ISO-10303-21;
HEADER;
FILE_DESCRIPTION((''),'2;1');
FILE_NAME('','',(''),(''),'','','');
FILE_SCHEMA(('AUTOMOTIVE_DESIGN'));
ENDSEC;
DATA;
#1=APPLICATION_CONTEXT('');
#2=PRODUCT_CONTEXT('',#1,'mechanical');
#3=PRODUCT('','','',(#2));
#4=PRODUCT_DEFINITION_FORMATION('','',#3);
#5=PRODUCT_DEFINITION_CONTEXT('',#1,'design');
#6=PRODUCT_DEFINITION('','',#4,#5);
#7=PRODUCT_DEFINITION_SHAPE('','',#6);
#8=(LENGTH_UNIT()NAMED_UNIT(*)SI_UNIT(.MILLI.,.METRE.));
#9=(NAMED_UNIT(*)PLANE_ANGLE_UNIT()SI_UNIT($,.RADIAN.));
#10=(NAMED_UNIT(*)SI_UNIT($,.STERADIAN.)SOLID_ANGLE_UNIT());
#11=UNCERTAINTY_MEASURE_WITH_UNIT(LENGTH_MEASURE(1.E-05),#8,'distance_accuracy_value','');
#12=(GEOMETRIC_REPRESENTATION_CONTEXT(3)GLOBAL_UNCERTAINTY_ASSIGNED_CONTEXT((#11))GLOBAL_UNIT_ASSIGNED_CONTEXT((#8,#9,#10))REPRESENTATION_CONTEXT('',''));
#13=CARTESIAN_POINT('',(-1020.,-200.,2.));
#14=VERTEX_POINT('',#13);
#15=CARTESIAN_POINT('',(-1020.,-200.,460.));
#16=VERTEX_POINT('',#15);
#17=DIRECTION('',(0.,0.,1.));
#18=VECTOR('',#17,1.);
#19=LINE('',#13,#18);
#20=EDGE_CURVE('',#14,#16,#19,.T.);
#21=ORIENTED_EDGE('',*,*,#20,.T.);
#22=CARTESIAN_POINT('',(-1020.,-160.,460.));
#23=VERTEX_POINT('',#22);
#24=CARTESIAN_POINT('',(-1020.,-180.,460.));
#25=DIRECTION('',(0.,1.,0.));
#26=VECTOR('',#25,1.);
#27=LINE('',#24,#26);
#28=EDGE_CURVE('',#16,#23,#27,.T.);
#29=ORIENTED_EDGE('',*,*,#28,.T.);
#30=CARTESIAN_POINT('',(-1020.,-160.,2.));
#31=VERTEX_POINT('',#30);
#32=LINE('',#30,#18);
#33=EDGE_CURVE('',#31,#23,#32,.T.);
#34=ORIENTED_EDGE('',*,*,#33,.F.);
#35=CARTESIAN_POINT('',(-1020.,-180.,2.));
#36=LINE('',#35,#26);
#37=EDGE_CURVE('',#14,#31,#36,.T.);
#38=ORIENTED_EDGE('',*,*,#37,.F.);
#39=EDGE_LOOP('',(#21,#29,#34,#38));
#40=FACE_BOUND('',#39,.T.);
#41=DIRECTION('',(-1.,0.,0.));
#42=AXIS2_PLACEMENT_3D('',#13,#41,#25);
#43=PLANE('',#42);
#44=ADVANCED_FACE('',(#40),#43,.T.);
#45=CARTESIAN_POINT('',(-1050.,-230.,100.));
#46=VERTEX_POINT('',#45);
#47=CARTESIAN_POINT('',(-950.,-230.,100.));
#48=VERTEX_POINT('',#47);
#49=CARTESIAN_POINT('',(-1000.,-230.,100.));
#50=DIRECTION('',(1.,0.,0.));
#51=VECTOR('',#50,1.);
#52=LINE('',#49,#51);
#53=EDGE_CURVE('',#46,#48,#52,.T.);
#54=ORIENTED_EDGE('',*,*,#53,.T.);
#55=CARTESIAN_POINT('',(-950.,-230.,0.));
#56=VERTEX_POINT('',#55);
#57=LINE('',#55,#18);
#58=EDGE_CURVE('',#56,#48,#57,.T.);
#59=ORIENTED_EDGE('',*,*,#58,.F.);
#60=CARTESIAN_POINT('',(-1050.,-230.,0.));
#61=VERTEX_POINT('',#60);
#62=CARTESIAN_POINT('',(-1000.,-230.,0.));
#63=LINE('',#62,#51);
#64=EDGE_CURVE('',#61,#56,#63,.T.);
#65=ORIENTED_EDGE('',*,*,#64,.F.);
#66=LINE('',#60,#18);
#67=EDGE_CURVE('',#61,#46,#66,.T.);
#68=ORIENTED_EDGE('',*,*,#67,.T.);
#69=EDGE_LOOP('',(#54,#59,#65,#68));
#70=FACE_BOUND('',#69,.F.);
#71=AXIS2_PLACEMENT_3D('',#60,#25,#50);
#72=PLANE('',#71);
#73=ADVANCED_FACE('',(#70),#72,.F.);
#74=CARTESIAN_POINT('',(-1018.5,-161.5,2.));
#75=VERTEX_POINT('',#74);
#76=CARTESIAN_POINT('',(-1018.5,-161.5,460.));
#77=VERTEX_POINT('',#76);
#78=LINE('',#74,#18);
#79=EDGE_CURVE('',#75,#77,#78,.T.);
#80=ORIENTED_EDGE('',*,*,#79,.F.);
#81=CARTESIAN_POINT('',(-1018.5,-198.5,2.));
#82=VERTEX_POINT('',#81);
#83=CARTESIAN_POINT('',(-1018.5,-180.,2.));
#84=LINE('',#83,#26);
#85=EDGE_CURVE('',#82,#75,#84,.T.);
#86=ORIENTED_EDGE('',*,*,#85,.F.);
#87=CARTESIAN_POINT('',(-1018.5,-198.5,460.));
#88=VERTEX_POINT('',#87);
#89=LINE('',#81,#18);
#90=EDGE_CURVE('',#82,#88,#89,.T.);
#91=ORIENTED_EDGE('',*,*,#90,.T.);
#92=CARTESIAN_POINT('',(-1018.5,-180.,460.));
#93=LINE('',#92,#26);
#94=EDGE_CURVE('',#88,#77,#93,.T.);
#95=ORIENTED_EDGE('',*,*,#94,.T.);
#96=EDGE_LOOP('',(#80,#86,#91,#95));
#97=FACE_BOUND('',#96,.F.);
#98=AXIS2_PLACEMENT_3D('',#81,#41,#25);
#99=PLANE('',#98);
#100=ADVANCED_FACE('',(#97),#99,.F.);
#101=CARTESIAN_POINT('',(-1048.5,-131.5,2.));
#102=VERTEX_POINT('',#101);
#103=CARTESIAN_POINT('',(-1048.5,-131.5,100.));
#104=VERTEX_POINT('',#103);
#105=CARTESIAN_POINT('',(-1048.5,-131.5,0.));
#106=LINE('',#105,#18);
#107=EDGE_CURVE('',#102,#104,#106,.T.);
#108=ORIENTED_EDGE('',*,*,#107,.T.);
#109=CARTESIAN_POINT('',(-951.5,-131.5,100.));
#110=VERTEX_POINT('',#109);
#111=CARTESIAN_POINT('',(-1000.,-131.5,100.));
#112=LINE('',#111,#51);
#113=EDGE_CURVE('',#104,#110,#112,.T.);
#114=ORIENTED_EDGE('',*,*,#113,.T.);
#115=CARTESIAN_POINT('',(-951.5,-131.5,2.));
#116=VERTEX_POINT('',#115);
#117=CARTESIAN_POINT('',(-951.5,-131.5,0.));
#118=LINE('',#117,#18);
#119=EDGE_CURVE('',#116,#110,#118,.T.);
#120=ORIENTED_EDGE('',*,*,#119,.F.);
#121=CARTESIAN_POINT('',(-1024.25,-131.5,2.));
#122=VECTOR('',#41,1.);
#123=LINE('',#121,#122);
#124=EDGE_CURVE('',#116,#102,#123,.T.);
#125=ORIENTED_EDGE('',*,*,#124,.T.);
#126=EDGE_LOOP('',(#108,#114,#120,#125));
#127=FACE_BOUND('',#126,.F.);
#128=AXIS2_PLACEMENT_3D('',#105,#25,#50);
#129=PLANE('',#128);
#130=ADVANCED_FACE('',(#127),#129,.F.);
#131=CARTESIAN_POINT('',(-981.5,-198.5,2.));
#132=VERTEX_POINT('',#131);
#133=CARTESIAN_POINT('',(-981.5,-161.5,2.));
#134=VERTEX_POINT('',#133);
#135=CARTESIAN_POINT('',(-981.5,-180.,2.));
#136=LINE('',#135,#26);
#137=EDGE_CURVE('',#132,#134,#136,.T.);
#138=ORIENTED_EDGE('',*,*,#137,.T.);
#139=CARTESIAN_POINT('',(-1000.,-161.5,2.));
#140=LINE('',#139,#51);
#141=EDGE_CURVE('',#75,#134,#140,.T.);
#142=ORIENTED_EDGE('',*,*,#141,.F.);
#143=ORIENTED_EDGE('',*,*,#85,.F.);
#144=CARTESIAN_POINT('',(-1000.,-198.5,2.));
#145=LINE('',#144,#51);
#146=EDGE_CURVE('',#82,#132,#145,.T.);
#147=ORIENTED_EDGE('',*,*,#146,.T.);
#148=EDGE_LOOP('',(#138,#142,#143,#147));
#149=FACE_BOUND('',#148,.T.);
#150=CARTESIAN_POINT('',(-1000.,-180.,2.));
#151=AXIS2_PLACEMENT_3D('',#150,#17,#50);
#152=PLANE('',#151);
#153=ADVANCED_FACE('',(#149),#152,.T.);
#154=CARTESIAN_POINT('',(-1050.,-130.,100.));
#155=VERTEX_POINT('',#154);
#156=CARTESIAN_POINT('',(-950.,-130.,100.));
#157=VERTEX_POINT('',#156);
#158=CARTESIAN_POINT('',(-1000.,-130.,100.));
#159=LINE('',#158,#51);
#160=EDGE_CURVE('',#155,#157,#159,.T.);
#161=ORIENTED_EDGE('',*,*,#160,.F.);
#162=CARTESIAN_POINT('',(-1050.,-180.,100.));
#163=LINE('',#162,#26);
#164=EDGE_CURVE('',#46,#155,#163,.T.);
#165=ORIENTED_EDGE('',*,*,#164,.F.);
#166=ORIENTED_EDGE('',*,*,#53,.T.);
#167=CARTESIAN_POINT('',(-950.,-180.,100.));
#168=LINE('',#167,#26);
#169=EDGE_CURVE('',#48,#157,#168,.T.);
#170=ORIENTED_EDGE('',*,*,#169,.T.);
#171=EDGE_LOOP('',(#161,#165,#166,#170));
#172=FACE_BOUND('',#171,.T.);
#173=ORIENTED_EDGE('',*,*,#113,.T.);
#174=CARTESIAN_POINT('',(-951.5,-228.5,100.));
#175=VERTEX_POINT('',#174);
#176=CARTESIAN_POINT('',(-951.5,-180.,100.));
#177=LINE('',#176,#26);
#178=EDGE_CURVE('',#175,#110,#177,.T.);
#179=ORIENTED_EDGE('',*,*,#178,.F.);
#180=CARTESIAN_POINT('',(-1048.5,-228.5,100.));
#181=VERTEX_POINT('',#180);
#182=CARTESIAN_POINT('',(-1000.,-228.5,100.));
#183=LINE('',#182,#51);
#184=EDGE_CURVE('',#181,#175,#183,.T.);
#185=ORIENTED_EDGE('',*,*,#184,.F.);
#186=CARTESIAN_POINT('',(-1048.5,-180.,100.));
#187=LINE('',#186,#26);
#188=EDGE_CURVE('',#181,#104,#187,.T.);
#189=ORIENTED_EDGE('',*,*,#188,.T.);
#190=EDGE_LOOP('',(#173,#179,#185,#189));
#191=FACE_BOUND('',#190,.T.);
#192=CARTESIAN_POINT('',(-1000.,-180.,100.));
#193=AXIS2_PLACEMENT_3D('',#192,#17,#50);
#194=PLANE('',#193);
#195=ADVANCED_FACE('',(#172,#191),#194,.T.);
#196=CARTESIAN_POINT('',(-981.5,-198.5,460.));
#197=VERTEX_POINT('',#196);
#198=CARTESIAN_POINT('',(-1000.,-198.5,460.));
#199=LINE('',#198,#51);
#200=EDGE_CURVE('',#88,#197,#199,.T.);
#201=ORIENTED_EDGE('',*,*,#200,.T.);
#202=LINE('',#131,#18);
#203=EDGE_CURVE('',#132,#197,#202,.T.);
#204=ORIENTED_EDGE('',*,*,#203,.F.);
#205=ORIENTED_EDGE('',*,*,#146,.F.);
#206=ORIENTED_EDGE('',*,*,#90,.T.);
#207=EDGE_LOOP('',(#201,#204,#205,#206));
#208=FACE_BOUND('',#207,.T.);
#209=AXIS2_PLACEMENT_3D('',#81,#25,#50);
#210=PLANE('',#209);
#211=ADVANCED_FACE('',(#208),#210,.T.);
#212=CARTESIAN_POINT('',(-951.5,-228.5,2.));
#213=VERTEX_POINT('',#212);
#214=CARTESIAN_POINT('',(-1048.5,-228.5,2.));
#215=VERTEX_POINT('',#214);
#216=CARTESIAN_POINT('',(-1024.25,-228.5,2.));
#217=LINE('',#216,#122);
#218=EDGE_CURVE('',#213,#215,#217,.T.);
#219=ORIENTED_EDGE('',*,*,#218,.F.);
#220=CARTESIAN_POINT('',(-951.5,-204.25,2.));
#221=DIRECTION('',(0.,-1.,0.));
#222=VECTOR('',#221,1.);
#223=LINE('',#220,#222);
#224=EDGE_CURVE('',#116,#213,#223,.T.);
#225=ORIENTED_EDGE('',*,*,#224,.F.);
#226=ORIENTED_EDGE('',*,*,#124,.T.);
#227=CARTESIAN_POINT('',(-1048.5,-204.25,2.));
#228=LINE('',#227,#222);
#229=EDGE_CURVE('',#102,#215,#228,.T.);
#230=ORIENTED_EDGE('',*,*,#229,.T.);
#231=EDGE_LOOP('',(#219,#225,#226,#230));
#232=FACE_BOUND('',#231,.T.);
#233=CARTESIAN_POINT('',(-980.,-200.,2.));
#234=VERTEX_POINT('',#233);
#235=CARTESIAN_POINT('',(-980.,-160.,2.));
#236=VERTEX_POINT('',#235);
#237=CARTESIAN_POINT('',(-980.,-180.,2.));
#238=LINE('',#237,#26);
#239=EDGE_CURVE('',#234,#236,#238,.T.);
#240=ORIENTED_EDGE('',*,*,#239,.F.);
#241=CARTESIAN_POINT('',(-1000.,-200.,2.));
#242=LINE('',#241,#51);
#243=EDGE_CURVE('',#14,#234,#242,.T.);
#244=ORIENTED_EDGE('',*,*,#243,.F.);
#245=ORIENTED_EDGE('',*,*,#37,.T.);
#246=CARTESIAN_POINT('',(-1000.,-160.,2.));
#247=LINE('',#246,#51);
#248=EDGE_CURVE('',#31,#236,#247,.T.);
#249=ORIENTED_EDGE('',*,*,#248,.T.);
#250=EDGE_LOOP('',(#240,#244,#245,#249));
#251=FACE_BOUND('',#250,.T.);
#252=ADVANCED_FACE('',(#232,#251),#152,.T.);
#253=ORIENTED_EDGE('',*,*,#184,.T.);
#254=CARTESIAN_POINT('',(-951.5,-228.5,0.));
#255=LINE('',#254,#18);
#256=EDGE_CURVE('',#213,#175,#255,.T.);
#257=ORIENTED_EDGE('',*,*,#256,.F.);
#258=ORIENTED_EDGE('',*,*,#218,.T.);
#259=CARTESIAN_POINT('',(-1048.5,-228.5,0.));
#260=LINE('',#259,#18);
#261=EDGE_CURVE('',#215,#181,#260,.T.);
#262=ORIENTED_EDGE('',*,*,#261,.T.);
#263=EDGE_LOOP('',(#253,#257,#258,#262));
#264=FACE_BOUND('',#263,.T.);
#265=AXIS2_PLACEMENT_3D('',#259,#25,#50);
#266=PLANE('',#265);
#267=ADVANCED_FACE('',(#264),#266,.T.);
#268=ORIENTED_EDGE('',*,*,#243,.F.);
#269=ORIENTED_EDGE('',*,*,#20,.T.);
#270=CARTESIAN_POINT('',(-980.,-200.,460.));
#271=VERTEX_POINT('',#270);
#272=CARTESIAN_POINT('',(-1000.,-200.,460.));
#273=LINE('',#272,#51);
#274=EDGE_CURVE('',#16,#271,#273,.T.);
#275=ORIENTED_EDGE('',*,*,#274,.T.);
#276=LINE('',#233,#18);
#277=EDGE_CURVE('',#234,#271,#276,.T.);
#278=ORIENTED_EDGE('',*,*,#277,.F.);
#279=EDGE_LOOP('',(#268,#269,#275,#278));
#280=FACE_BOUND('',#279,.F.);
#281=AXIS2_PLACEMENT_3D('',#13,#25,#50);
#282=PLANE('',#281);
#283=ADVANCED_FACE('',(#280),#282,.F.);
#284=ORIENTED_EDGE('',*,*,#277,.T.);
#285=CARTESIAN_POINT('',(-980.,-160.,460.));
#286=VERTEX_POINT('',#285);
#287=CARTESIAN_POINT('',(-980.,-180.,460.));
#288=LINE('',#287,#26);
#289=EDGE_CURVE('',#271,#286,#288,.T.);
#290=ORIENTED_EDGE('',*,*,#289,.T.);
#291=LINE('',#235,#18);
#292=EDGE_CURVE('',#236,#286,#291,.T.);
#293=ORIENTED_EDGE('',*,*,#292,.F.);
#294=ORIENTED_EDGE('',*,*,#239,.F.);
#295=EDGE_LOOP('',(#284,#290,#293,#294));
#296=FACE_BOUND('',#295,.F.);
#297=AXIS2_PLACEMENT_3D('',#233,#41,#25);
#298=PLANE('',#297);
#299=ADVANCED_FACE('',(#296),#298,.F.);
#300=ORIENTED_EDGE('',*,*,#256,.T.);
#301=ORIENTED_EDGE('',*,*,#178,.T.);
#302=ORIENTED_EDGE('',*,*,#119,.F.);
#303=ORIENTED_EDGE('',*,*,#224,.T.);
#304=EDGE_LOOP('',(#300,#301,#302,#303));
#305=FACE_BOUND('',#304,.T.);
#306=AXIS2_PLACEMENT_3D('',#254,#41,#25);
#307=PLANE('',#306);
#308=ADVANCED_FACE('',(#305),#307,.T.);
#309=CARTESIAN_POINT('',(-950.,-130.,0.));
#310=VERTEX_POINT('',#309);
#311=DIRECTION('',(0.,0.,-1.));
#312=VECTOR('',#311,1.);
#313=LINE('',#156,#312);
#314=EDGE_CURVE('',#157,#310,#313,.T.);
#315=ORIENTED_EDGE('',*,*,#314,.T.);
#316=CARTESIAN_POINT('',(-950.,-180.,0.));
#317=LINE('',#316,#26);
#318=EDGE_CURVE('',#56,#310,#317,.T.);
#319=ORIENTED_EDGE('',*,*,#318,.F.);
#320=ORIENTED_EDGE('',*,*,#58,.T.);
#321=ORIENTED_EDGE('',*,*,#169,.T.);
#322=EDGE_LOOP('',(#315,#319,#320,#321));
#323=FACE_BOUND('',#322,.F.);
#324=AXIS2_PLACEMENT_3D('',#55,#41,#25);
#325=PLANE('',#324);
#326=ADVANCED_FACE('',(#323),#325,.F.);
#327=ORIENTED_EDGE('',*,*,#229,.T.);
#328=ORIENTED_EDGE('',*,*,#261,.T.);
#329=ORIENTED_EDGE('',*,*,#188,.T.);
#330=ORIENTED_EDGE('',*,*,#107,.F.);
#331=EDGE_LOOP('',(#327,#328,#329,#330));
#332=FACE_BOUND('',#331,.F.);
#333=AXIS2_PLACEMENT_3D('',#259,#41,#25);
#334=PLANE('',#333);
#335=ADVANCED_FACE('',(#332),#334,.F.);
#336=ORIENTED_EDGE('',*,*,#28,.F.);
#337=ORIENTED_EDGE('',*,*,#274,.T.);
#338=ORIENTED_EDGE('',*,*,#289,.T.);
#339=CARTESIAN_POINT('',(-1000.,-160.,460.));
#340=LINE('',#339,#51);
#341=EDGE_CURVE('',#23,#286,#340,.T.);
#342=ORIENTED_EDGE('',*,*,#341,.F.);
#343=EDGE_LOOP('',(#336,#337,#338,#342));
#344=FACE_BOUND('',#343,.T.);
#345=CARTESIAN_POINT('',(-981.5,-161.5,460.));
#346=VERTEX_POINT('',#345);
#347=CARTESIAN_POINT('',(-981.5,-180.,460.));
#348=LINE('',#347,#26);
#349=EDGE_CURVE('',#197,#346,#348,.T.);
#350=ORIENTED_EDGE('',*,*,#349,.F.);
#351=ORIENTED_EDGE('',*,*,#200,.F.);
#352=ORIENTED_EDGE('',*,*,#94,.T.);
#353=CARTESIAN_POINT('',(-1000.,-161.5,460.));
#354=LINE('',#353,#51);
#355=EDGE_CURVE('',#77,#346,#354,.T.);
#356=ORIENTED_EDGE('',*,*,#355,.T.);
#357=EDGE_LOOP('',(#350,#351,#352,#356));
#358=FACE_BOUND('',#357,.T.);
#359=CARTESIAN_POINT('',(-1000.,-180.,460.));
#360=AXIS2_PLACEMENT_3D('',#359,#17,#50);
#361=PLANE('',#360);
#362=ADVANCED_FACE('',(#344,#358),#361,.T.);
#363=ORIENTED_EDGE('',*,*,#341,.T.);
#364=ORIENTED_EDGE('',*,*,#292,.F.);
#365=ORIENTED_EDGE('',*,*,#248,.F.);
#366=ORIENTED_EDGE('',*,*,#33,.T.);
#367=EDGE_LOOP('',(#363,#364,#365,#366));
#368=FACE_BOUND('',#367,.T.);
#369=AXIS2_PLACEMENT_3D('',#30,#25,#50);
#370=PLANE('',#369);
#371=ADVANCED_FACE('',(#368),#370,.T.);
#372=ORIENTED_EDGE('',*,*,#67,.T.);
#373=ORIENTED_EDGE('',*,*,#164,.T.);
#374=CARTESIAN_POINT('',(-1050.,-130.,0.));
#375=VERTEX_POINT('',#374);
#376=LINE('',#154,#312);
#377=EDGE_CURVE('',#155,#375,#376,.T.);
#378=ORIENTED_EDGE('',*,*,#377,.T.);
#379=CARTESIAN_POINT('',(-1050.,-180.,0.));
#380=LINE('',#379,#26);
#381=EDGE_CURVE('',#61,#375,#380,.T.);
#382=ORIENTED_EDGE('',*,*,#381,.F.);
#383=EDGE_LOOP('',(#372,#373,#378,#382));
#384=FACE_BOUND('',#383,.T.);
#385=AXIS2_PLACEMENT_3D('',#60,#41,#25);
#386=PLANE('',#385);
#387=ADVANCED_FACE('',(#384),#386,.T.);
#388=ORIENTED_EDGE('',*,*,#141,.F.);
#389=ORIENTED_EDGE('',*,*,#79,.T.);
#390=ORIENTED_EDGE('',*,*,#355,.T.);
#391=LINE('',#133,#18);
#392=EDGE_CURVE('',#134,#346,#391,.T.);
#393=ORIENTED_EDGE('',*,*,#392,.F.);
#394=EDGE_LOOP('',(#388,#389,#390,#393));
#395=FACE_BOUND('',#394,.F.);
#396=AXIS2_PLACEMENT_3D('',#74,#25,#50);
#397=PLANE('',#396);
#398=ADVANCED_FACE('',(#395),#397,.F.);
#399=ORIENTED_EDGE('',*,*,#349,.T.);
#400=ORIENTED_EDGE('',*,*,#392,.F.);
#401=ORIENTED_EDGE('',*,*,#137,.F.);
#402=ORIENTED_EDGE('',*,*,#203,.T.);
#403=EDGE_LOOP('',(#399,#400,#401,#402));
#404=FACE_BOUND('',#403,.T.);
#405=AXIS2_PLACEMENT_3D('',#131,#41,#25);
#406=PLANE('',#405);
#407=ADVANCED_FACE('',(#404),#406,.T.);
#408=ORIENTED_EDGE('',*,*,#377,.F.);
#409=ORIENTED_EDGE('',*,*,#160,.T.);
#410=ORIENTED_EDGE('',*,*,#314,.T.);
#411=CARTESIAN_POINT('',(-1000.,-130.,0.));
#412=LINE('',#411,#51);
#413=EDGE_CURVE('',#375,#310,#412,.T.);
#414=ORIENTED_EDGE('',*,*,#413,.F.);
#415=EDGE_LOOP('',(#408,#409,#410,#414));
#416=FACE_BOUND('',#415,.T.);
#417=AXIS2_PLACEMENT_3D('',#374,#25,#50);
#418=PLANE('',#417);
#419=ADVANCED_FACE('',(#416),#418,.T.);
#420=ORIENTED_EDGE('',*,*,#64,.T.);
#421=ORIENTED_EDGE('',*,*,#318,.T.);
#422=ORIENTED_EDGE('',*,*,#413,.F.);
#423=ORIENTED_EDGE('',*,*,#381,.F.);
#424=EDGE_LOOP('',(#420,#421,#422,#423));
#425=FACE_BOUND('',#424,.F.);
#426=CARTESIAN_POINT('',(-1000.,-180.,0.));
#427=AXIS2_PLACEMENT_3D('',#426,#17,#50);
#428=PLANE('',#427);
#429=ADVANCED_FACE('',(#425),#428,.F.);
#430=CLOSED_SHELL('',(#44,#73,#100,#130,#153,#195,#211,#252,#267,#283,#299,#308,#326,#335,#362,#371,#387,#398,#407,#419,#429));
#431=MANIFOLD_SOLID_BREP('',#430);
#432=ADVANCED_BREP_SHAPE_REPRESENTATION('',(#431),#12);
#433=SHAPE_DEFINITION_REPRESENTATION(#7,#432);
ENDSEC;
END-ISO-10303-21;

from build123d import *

# Parameters (mm, degrees)
SKETCH004_W   = 100
SKETCH004_H   = 100
PAD002_DEPTH  = 2
SKETCH005_W   = 40
SKETCH005_H   = 40
SKETCH005_W_2 = 37
SKETCH005_H_2 = 37
PAD003_DEPTH  = 458
SKETCH006_W   = 100
SKETCH006_H   = 100
SKETCH006_W_2 = 97
SKETCH006_H_2 = 97
PAD004_DEPTH  = 100


with BuildPart() as part:
    # Sketch004 → Pad002 (new body)
    with BuildSketch(Plane.XY):
        with Locations((-1000, -180)):
            Rectangle(SKETCH004_W, SKETCH004_H)
    extrude(amount=PAD002_DEPTH)

    # Sketch005 (on Face6 of Pad002) → Pad003 (join)
    with BuildSketch(Plane.XY.offset(2)):
        with Locations((-1000, -180)):
            Rectangle(SKETCH005_W, SKETCH005_H)
        with Locations((-1000, -180)):
            Rectangle(SKETCH005_W_2, SKETCH005_H_2, mode=Mode.SUBTRACT)
    extrude(amount=PAD003_DEPTH)

    # Sketch006 → Pad004 (join)
    with BuildSketch(Plane.XY):
        with Locations((-1000, -180)):
            Rectangle(SKETCH006_W, SKETCH006_H)
        with Locations((-1000, -180)):
            Rectangle(SKETCH006_W_2, SKETCH006_H_2, mode=Mode.SUBTRACT)
    extrude(amount=PAD004_DEPTH)


solid = part.part
